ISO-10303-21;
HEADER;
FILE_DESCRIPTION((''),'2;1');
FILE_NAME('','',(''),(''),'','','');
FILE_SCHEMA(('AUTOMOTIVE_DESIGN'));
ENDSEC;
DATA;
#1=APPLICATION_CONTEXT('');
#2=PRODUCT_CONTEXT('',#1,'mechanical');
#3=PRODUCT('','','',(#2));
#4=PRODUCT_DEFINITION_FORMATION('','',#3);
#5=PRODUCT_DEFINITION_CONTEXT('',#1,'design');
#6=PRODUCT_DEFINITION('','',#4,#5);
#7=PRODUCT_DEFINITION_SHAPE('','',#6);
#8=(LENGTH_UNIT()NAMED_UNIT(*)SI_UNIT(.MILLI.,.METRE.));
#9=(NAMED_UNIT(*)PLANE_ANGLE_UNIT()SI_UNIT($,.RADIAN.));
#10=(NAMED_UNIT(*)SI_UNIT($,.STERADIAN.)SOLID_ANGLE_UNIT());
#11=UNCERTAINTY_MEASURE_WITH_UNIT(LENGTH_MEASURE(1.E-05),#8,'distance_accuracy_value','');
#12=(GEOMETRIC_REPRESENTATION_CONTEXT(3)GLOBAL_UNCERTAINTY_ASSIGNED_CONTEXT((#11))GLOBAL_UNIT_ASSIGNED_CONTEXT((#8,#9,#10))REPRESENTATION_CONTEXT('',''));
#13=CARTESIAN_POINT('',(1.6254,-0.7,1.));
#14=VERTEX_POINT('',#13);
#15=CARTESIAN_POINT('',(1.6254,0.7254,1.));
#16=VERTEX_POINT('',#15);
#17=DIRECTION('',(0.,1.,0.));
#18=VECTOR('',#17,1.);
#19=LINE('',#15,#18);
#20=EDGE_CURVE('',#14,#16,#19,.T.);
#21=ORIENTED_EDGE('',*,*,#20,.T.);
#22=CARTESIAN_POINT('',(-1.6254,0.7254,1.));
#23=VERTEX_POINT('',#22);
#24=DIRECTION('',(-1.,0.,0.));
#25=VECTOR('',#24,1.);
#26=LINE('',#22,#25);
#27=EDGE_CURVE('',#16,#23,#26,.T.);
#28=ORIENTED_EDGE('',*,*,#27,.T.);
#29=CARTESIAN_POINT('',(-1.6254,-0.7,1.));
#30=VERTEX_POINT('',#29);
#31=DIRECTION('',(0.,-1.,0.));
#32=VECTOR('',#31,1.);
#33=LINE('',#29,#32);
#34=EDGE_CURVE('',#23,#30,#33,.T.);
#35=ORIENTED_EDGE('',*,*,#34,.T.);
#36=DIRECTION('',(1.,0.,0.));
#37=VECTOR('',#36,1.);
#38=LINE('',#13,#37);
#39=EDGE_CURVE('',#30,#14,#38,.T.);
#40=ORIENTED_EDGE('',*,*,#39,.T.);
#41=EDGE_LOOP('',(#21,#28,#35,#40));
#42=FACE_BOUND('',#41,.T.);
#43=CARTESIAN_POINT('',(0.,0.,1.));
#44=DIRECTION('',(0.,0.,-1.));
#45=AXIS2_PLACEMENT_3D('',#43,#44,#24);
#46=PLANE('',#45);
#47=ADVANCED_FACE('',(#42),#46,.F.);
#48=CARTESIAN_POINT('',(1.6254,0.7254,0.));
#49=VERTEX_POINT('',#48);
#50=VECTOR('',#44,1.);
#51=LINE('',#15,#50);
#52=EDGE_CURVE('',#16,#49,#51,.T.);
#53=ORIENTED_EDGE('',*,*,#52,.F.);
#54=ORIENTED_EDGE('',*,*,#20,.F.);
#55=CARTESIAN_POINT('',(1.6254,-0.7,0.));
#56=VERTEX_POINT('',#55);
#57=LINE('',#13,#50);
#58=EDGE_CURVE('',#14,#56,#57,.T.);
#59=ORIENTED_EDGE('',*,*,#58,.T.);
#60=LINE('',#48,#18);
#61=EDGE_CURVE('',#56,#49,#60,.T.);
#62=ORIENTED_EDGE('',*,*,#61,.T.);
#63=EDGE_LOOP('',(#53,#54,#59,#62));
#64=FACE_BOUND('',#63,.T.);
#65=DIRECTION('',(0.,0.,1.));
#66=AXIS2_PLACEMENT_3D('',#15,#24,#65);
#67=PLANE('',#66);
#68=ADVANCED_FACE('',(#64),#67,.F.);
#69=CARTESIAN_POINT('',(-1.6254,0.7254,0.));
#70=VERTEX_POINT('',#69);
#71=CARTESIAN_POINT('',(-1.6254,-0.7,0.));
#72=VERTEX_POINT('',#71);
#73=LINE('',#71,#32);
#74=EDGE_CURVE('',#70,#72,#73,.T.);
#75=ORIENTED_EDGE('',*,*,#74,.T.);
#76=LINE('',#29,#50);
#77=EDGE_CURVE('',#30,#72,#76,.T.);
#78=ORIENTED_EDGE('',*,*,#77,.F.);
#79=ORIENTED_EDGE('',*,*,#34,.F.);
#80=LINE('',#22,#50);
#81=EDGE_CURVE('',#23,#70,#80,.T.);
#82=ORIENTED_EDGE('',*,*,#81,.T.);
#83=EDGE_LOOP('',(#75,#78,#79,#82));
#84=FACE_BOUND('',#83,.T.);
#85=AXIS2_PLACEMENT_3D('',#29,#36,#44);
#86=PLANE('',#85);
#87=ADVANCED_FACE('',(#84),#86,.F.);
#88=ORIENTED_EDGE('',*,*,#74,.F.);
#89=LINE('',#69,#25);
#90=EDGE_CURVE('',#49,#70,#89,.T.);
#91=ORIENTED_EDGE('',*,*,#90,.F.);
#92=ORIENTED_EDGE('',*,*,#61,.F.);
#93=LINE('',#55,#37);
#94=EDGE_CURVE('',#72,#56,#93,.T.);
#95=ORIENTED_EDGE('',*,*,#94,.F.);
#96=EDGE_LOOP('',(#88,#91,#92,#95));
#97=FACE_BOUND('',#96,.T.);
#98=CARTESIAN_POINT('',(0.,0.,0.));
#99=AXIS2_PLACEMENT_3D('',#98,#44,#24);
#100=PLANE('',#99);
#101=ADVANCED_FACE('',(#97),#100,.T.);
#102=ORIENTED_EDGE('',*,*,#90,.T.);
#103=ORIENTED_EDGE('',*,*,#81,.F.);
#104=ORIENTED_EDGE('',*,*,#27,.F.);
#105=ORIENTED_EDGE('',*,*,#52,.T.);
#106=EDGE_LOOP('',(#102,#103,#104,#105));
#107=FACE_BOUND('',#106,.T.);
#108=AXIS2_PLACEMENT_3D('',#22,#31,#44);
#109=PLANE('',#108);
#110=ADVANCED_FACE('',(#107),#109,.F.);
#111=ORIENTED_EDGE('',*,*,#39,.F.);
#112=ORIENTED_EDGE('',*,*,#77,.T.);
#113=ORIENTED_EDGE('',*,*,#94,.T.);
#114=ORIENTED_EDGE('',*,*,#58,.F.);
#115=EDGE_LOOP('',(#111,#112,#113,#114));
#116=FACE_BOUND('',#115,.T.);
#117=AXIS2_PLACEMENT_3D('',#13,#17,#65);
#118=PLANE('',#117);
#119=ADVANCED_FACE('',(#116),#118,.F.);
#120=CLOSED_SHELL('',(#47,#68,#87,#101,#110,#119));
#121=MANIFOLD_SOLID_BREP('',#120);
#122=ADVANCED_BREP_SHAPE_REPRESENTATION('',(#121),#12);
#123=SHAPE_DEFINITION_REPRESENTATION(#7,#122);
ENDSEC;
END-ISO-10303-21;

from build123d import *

# Parameters (mm, degrees)
SKETCH1_W               = 3.2508
SKETCH1_H               = 1.4254
COMPONENT_OUTLINE_DEPTH = 1


with BuildPart() as part:
    # Sketch1 → Component_Outline (new body)
    with BuildSketch(Plane.XY):
        with Locations((0, 0.0127)):
            Rectangle(SKETCH1_W, SKETCH1_H)
    extrude(amount=COMPONENT_OUTLINE_DEPTH)


solid = part.part
